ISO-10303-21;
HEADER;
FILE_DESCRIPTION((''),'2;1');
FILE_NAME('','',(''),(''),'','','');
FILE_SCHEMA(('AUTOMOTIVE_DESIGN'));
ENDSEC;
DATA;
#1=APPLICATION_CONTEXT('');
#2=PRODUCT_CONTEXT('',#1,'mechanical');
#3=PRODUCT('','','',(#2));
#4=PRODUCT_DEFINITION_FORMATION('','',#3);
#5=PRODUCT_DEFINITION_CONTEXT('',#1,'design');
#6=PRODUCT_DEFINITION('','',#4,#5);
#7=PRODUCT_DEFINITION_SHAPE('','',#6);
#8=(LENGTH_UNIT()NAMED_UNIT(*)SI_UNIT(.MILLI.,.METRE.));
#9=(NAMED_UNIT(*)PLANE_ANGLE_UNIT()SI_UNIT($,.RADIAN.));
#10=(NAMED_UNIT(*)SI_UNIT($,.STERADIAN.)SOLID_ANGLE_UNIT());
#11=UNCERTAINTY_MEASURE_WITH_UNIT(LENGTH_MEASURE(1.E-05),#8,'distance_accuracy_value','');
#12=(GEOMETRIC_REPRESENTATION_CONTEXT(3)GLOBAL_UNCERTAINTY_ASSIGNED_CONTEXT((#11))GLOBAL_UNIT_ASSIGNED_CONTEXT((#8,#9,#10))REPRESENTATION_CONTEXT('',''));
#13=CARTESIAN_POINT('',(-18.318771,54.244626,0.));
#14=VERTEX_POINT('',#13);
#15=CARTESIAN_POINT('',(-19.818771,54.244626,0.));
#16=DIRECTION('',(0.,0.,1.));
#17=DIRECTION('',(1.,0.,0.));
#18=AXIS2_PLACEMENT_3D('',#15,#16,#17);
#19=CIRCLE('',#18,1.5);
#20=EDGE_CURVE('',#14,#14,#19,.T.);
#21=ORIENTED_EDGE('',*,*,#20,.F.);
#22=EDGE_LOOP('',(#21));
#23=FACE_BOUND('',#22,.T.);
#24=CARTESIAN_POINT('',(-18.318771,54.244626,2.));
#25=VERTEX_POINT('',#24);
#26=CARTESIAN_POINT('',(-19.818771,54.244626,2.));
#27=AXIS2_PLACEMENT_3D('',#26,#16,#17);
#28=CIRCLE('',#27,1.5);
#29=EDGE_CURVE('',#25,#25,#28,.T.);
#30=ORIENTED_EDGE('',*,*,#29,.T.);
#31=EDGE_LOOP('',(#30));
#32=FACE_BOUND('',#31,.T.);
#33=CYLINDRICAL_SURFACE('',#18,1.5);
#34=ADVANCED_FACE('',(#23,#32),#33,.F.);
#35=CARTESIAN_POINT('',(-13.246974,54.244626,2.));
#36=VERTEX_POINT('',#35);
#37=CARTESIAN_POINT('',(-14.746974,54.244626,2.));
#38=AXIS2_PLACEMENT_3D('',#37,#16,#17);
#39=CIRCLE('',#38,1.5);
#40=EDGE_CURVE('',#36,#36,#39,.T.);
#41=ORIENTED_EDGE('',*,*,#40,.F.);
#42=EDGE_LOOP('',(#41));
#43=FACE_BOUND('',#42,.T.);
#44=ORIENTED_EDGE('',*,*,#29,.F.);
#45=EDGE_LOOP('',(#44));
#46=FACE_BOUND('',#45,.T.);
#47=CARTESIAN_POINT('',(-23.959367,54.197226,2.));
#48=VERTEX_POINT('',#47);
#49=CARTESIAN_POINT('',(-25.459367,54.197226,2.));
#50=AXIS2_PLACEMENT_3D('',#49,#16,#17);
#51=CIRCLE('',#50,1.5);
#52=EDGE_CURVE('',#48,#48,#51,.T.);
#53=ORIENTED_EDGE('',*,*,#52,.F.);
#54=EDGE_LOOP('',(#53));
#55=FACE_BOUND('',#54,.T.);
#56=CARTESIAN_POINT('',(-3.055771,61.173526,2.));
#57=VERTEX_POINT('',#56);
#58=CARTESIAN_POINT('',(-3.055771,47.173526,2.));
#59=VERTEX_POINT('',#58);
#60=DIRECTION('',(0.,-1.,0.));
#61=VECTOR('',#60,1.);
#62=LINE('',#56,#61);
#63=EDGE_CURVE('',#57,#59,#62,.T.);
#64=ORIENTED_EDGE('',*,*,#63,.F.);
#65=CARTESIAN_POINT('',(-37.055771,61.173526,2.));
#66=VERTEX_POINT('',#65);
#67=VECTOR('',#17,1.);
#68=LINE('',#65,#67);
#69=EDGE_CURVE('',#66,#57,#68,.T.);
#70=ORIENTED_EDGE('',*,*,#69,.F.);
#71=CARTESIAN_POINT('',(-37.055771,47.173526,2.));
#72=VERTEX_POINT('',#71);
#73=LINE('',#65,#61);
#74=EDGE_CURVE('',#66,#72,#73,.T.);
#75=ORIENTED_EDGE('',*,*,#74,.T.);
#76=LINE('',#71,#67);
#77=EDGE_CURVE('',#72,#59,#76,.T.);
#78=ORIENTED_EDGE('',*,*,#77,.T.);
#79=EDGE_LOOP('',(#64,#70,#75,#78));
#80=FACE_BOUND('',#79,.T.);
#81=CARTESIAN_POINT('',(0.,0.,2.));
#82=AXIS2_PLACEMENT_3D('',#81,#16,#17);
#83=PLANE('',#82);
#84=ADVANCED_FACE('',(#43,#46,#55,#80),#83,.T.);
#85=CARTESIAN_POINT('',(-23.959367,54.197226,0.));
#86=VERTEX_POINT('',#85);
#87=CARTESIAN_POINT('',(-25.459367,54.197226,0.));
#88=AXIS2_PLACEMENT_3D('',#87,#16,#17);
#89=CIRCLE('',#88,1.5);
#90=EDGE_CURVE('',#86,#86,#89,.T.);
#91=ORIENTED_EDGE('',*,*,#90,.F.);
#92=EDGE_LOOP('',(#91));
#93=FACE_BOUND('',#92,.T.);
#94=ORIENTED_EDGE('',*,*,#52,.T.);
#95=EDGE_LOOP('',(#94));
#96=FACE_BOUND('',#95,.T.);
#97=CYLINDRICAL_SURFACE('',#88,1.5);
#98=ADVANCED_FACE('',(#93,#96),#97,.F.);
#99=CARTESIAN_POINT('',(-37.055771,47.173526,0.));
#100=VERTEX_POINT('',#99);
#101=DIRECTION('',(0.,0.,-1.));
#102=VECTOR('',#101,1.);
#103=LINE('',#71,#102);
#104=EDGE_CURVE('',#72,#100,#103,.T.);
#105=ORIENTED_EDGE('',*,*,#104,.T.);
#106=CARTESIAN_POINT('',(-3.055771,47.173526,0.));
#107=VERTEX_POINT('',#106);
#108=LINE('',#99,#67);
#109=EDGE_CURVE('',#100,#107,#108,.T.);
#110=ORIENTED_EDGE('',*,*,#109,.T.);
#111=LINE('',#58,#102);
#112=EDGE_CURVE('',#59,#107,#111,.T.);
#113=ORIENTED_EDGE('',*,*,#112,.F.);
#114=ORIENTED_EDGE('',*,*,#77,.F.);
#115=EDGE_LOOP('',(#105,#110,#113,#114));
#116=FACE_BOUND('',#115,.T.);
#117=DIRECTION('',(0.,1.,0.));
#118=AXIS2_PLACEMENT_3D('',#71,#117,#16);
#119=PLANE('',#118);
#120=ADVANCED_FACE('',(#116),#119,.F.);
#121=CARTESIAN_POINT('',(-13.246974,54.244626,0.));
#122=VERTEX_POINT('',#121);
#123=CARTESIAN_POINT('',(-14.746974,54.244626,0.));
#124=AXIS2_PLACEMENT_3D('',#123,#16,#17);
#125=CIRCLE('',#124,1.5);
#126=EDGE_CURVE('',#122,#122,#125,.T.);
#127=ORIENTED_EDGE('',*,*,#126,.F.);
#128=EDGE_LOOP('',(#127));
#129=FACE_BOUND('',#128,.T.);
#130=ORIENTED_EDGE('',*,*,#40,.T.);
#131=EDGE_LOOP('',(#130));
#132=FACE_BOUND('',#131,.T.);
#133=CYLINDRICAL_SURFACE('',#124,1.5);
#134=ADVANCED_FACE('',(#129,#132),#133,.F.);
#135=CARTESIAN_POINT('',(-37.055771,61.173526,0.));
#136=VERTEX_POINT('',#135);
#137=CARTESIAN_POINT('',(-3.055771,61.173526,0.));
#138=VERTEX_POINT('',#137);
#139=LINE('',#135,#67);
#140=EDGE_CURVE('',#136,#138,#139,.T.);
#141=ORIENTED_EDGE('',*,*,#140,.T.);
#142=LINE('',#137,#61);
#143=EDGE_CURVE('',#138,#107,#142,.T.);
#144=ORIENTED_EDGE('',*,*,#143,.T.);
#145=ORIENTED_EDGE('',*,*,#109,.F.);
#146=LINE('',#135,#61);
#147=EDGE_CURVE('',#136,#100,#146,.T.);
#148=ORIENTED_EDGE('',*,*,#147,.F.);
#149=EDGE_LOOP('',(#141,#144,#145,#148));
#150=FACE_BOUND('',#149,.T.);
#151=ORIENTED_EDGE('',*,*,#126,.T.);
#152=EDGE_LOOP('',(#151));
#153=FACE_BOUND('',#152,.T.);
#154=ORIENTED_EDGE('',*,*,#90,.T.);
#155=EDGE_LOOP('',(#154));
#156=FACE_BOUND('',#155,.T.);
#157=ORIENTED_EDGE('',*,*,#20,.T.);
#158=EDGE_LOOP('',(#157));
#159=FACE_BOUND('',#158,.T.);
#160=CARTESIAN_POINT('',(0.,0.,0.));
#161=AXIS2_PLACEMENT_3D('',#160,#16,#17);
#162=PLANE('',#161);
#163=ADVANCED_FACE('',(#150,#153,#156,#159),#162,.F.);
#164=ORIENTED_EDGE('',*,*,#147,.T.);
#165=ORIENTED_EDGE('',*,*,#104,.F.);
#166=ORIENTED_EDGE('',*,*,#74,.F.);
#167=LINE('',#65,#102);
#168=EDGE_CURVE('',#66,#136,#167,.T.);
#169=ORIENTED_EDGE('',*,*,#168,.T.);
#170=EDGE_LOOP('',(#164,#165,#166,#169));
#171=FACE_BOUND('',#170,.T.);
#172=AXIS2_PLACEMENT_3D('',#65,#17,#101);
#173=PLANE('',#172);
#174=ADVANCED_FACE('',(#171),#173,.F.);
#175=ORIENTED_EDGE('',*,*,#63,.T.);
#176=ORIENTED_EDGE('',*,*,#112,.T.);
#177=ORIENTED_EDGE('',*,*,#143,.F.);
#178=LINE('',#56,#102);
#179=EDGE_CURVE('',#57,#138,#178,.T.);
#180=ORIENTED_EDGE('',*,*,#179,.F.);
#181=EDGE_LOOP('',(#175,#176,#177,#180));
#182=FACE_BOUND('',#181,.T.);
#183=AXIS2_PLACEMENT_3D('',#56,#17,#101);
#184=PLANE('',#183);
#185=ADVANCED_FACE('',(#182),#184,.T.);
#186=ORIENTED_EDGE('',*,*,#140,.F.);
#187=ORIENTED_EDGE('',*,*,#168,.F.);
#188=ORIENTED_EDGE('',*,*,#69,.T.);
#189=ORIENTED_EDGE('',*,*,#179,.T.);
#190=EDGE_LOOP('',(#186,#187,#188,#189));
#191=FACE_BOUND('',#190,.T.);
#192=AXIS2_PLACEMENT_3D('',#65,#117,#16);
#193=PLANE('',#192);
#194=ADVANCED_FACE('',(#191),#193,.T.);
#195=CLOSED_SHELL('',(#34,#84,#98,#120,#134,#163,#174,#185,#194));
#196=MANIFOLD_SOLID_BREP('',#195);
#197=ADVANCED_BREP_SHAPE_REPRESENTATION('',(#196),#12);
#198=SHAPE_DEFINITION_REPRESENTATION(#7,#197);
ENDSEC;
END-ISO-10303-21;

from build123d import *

# Parameters (mm, degrees)
SKETCH1_W           = 34
SKETCH1_H           = 14
BOSS_EXTRUDE1_DEPTH = 2
SKETCH3_R           = 1.5
CUT_EXTRUDE1_DEPTH  = 2
SKETCH4_R           = 1.5
CUT_EXTRUDE2_DEPTH  = 2


with BuildPart() as part:
    # Sketch1 → Boss-Extrude1 (new body)
    with BuildSketch(Plane(origin=(0.099311048, 0, 0), x_dir=(1, 0, 0), z_dir=(0, 0, 1))):
        with Locations((-20.155081556, 54.173525721)):
            Rectangle(SKETCH1_W, SKETCH1_H)
    extrude(amount=BOSS_EXTRUDE1_DEPTH)

    # Sketch3 → Cut-Extrude1 (cut)
    with BuildSketch(Plane(origin=(0.099311048, 0, 2), x_dir=(1, 0, 0), z_dir=(0, 0, 1))):
        with Locations((-25.558678377, 54.197225708)):
            Circle(SKETCH3_R)
    extrude(amount=-CUT_EXTRUDE1_DEPTH, mode=Mode.SUBTRACT)

    # Sketch4 → Cut-Extrude2 (cut)
    with BuildSketch(Plane(origin=(0.099311048, 0, 2), x_dir=(1, 0, 0), z_dir=(0, 0, 1))):
        with Locations((-19.918081695, 54.24462568)):
            Circle(SKETCH4_R)
        with Locations((-14.846284679, 54.24462568)):
            Circle(SKETCH4_R)
    extrude(amount=-CUT_EXTRUDE2_DEPTH, mode=Mode.SUBTRACT)


solid = part.part
